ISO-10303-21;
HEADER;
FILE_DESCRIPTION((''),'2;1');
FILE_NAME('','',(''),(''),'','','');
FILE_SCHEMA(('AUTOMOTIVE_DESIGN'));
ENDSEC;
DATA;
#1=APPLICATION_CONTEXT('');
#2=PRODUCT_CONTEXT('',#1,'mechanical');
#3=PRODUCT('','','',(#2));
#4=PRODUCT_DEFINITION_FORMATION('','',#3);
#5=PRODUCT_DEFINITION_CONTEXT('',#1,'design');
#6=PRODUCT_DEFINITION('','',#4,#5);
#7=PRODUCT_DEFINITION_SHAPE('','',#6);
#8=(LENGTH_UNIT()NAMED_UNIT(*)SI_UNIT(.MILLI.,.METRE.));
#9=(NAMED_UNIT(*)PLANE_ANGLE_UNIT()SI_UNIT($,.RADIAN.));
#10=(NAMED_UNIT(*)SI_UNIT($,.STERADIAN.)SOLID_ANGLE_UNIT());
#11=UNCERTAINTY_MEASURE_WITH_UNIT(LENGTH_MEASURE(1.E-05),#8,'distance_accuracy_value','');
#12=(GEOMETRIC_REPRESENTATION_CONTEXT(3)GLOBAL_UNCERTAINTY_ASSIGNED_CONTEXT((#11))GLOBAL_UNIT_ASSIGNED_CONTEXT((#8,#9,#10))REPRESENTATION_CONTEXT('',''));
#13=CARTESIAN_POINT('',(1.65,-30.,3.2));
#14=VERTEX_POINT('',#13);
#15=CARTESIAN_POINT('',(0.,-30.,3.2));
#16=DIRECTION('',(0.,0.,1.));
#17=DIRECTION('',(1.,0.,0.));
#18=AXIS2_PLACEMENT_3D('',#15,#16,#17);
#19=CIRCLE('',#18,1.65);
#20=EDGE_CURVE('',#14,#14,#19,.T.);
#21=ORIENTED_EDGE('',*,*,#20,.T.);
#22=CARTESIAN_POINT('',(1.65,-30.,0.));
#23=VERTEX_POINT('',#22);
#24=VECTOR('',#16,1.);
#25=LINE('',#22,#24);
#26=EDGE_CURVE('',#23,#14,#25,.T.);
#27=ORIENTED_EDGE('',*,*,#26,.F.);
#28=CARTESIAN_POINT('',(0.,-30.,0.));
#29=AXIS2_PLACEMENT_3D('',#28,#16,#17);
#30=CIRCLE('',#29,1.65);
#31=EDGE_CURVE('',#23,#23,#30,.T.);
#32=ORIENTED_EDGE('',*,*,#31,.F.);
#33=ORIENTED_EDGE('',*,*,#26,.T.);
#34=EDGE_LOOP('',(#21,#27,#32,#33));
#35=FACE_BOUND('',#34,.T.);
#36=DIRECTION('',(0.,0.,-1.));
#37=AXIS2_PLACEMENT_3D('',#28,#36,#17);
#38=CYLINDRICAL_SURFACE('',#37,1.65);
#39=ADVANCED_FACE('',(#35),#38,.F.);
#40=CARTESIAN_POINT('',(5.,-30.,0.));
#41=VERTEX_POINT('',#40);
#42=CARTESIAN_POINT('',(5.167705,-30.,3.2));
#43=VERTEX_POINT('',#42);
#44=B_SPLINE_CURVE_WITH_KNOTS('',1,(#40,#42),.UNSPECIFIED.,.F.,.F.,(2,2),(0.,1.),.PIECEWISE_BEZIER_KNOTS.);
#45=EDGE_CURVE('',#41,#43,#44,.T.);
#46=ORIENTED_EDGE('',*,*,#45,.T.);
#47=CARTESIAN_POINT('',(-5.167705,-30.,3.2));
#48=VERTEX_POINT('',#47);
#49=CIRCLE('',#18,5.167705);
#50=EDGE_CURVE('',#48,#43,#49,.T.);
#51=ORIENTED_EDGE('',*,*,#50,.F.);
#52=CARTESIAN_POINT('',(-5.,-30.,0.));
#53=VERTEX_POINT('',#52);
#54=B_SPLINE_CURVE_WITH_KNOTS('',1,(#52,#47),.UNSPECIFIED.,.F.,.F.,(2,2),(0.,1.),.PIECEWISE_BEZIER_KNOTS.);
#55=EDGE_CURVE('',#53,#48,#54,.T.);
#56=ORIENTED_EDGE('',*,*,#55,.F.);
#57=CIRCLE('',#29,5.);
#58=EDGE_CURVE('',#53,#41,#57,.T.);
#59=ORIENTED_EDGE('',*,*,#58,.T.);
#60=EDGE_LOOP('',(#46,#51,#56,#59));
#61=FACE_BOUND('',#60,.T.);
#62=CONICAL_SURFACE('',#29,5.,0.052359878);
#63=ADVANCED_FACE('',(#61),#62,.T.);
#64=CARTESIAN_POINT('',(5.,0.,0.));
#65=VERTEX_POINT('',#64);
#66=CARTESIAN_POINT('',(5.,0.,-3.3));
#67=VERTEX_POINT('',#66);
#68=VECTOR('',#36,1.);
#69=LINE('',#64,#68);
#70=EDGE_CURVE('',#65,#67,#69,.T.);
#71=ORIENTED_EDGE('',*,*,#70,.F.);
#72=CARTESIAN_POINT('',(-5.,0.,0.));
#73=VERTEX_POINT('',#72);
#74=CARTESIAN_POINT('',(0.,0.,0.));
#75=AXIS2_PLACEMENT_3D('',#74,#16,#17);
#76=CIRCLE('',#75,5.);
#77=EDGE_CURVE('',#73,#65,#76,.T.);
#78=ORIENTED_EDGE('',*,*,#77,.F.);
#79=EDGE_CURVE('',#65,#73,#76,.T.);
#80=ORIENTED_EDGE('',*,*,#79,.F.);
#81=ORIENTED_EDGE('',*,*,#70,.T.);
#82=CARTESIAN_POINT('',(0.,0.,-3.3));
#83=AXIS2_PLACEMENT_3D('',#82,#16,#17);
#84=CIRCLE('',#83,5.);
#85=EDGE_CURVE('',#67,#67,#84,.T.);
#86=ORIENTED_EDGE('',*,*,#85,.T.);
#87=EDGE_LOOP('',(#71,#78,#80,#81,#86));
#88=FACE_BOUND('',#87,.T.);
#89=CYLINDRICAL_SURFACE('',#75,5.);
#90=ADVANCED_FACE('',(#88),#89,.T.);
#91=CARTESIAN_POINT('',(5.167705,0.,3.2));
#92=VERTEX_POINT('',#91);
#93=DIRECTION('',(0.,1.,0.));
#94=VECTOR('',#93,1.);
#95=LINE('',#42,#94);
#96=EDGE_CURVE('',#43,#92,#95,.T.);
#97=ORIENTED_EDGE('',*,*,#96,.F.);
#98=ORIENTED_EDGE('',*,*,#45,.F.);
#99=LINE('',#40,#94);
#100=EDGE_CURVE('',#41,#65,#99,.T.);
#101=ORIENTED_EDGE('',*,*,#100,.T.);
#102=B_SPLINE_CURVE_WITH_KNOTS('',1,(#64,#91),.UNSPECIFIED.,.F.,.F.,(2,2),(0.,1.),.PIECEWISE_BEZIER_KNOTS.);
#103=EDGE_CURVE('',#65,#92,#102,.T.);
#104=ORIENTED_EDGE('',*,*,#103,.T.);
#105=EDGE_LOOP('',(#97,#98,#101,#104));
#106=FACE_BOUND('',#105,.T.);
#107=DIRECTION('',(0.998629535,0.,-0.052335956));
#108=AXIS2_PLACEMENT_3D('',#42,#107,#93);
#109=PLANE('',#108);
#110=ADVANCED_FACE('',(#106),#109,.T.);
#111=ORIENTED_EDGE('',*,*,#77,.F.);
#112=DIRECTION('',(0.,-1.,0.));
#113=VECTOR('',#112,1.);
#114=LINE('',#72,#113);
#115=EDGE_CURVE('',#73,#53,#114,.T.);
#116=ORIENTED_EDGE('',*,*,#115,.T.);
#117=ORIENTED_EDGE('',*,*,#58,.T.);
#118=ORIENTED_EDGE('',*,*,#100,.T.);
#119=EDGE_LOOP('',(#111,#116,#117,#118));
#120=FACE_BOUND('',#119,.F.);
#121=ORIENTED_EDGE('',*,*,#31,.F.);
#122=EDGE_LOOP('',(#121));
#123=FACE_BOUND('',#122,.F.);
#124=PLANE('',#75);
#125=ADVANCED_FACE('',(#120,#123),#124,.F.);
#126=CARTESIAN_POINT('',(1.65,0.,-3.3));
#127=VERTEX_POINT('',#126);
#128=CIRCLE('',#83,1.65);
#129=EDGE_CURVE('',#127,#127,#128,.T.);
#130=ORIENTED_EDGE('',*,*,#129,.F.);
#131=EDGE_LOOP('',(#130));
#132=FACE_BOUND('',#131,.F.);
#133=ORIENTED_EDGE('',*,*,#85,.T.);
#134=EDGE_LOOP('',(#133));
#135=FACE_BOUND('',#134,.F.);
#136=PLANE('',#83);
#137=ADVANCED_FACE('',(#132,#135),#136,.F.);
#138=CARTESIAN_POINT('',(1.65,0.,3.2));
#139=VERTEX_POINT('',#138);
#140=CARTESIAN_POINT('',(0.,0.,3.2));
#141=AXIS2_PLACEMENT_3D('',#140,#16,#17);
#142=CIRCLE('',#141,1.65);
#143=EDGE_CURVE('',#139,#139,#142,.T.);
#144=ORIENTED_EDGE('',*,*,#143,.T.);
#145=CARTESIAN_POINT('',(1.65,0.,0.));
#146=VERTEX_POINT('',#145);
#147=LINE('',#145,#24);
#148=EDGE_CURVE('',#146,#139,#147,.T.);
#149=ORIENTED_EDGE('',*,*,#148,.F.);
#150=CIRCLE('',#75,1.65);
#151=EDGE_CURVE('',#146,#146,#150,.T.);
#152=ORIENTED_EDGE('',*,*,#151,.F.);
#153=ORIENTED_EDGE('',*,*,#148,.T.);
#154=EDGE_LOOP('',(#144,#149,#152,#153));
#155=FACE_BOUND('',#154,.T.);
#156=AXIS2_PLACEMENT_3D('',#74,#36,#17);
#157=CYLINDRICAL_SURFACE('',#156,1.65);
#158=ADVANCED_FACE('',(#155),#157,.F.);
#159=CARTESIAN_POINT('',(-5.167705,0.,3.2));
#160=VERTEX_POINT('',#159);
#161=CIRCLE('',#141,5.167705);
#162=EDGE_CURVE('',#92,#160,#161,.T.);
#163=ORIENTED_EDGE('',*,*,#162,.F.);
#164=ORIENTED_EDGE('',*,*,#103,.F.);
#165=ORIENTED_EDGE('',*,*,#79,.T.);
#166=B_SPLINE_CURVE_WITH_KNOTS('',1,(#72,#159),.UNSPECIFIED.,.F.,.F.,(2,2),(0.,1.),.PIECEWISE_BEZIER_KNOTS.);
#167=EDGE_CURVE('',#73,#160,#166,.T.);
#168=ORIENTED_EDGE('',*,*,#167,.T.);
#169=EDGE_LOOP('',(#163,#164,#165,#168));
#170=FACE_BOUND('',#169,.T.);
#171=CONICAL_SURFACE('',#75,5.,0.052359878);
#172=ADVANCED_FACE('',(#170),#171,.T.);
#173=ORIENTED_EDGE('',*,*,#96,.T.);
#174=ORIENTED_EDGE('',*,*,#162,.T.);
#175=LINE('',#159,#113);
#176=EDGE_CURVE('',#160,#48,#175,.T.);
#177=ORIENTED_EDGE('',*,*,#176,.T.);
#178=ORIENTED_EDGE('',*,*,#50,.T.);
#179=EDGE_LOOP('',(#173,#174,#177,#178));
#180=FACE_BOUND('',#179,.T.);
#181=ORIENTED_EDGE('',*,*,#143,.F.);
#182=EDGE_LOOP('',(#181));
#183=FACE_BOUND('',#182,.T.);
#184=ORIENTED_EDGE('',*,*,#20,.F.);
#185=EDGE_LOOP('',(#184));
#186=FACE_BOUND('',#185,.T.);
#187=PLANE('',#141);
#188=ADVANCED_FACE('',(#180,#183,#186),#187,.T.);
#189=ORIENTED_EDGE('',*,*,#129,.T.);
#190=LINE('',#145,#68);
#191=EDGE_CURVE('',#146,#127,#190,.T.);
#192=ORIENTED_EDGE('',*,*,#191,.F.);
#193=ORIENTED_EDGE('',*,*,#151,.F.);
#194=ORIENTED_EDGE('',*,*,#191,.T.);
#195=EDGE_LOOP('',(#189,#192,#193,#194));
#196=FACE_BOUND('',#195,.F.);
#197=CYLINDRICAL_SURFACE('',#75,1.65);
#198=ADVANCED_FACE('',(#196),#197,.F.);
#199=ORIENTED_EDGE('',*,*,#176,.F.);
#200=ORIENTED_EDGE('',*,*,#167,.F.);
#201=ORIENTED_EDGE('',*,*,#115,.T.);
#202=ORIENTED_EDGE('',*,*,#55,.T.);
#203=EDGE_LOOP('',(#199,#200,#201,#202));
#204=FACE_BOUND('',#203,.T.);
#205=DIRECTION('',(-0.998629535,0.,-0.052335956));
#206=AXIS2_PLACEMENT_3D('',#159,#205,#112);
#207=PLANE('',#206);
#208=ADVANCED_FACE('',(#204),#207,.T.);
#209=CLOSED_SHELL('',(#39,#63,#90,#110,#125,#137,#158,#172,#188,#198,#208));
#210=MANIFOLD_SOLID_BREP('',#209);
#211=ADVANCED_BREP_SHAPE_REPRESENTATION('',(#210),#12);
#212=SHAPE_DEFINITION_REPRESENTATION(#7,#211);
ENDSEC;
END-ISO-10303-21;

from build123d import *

# Parameters (mm, degrees)
F1_R     = 1.65
F2_DEPTH = 3.2
F2_TAPER = -3
F0_R     = 1.65
F3_DEPTH = 3.2
F5_R     = 5
F6_DEPTH = 3.3
F4_R     = 1.65
F7_DEPTH = 3.3
F8_R     = 1.65
F9_DEPTH = 3.2


with BuildPart() as f2:
    # F1 (on Top) → F2 (new body)
    with BuildSketch(Plane.XY):
        with BuildLine():
            ThreePointArc((-5, 0), (0, -5), (5, 0))
            ThreePointArc((5, 0), (0, 5), (-5, 0))
        make_face()
        Circle(F1_R, mode=Mode.SUBTRACT)
        with BuildLine():
            Line((5, -30), (5, 0))
            ThreePointArc((5, 0), (0, -5), (-5, 0))
            Line((-5, 0), (-5, -30))
            ThreePointArc((-5, -30), (0, -25), (5, -30))
        make_face()
        with BuildLine():
            ThreePointArc((-5, -30), (0, -35), (5, -30))
            ThreePointArc((5, -30), (0, -25), (-5, -30))
        make_face()
    extrude(amount=F2_DEPTH, taper=F2_TAPER)

    # F0 (on Top) → F3 (cut)
    with BuildSketch(Plane.XY):
        Circle(F0_R)
    extrude(amount=F3_DEPTH, mode=Mode.SUBTRACT)

    # F5 (on Top) → F6 (join)
    with BuildSketch(Plane.XY):
        Circle(F5_R)
    extrude(amount=-F6_DEPTH)

    # F4 (on Top) → F7 (cut)
    with BuildSketch(Plane.XY):
        Circle(F4_R)
    extrude(amount=-F7_DEPTH, mode=Mode.SUBTRACT)

    # F8 (on Top) → F9 (cut)
    with BuildSketch(Plane.XY):
        with Locations((0, -30)):
            Circle(F8_R)
    extrude(amount=F9_DEPTH, mode=Mode.SUBTRACT)


solid = f2.part
